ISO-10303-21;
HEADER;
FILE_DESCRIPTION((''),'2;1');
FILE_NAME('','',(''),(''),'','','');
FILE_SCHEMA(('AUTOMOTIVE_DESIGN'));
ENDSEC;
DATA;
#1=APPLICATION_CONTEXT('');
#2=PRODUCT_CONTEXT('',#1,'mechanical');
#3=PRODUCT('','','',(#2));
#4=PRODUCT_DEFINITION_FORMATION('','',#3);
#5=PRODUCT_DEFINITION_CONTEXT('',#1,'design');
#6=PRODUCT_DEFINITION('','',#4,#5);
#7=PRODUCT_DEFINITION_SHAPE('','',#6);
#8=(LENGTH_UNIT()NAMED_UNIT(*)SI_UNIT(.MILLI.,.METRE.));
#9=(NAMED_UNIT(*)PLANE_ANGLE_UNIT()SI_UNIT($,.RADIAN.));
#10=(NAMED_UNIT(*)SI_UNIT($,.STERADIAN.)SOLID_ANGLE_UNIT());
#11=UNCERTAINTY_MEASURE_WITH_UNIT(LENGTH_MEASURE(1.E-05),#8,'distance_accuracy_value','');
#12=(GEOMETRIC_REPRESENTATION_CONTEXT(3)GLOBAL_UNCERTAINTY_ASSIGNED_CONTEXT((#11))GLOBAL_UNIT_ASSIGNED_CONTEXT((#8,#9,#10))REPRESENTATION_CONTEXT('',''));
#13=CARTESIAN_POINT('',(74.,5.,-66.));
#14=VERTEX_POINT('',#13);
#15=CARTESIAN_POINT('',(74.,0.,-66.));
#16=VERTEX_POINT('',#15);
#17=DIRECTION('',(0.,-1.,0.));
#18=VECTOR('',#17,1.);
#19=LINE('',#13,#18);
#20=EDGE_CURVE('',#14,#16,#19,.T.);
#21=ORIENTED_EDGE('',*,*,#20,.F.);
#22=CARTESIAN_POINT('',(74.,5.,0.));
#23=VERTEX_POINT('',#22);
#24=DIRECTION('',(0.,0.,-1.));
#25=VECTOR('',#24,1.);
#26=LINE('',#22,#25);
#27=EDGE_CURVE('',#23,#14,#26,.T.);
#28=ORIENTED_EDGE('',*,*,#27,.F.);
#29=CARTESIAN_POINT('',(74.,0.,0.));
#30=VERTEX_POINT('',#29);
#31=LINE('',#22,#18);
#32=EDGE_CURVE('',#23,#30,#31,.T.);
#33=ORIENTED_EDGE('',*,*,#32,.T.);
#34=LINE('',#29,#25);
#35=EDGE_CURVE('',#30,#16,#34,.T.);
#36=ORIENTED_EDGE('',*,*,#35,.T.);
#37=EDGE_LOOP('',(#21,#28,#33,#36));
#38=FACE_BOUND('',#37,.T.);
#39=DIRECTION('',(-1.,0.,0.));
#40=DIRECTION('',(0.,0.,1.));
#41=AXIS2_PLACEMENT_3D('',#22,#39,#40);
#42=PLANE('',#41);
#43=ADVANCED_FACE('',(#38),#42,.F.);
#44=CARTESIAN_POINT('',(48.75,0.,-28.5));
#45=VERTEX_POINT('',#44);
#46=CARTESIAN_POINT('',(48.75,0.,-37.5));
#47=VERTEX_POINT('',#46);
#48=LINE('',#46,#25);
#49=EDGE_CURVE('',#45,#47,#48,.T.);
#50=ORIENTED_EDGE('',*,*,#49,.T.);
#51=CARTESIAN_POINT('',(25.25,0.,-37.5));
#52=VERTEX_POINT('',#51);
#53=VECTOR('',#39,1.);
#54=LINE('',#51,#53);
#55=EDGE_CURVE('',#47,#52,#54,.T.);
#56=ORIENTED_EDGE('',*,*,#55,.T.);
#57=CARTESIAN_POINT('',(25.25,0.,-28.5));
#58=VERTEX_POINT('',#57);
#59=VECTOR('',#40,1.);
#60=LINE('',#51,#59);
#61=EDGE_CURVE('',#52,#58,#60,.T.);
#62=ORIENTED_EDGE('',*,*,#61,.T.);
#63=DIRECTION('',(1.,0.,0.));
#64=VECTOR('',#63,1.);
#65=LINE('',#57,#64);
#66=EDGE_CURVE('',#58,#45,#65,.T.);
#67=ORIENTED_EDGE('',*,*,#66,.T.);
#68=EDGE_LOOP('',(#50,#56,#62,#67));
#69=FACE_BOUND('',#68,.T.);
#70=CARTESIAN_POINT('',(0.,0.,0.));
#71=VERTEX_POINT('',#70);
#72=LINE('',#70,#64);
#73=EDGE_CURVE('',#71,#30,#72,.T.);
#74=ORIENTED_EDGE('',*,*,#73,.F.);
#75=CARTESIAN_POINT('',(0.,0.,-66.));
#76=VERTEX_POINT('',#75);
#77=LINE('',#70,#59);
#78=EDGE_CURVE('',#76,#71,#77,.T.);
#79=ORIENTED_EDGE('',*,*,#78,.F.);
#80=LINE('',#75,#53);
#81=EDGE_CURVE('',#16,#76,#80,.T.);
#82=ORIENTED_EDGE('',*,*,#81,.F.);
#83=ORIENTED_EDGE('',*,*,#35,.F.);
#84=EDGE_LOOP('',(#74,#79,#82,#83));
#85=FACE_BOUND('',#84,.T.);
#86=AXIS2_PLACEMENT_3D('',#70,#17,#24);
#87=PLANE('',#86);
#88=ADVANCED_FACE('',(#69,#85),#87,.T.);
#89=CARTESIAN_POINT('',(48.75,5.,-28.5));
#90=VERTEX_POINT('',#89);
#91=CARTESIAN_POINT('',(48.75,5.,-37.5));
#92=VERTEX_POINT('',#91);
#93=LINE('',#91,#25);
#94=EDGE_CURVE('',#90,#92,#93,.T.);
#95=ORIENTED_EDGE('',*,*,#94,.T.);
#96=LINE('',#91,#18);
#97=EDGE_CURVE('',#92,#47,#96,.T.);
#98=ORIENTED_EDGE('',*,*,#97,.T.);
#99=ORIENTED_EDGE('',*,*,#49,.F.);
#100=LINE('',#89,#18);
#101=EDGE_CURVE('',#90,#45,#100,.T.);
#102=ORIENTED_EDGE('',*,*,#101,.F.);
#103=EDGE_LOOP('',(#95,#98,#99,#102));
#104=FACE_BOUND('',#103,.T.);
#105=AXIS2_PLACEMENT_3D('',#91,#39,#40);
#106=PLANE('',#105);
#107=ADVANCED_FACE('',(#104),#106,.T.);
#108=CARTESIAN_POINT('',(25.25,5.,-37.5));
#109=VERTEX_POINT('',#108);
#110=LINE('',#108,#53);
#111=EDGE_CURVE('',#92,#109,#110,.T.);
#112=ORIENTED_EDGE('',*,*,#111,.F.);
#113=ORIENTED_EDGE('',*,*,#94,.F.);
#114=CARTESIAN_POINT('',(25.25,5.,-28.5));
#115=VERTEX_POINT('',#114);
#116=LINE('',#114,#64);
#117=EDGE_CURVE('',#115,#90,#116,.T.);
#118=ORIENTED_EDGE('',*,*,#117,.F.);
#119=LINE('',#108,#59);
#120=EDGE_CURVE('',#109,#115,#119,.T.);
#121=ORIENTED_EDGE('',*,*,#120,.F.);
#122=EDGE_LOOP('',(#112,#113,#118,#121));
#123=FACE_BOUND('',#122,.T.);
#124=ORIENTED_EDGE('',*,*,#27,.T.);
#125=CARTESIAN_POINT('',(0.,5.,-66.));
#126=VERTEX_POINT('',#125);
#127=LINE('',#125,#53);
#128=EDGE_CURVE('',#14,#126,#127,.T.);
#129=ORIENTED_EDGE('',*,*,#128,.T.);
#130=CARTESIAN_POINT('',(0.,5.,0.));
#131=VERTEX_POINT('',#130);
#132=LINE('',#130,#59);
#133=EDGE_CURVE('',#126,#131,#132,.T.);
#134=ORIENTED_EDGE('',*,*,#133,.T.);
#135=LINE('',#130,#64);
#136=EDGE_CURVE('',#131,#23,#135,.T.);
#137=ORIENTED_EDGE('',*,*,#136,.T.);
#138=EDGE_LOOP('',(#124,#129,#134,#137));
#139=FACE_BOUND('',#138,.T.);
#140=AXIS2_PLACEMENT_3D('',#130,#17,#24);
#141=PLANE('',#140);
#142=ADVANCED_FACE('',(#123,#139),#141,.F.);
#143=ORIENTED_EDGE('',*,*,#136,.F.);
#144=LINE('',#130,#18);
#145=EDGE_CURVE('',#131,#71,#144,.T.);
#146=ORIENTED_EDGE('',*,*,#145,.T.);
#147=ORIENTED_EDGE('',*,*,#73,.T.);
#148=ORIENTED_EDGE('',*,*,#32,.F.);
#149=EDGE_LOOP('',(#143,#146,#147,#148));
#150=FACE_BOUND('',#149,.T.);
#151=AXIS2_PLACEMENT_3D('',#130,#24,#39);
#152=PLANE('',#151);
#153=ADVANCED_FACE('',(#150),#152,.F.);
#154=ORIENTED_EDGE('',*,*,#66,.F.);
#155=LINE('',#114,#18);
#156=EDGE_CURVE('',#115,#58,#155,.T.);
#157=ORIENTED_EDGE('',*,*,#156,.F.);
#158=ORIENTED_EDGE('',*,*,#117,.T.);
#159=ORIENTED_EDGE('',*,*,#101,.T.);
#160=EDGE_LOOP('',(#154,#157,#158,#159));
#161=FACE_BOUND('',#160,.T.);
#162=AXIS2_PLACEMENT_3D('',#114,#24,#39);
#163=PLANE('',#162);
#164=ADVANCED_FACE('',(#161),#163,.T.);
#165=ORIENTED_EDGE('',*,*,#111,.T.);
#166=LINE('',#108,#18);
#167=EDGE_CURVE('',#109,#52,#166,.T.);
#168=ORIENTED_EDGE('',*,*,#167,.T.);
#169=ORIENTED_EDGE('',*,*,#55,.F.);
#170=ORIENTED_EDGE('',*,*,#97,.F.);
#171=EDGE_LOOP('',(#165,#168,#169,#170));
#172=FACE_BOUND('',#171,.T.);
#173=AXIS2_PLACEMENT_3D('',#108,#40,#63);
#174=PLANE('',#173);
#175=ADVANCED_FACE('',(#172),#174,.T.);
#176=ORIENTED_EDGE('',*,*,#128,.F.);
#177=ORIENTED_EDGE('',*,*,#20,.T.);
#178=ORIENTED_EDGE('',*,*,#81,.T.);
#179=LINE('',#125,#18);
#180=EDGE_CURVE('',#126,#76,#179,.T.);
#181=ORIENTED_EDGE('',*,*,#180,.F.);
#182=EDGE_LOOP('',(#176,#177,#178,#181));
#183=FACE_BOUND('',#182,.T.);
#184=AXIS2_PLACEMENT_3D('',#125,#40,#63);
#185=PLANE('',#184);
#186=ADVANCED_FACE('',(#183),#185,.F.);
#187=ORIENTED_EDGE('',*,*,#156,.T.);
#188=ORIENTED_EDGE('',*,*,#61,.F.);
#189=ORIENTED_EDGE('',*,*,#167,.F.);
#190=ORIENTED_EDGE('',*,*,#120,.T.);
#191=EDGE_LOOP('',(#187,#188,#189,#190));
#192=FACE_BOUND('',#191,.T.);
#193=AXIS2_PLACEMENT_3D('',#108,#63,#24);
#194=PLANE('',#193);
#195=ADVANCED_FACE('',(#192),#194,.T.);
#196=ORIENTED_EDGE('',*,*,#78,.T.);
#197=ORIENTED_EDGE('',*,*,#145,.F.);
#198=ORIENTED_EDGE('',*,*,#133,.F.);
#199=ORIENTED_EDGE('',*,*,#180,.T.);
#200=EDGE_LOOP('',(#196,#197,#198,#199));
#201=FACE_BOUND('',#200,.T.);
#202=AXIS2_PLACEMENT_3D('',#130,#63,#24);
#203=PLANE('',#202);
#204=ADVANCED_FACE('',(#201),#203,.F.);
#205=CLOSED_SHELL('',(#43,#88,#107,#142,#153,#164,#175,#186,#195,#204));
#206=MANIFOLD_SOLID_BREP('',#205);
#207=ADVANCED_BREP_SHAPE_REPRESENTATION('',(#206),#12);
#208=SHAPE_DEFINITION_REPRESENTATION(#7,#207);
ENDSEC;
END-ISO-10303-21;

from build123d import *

# Parameters (mm, degrees)
IZIM1_W                     = 74
IZIM1_H                     = 66
IZIM1_W_2                   = 23.5
IZIM1_H_2                   = 9
Y_KSEKLIK_EKSTR_ZYON1_DEPTH = 5


with BuildPart() as part:
    # Çizim1 → Yükseklik-Ekstrüzyon1 (new body)
    with BuildSketch(Plane(origin=(0, 0, 0), x_dir=(1, 0, 0), z_dir=(0, 1, 0))):
        with Locations((37, 33)):
            Rectangle(IZIM1_W, IZIM1_H)
        with Locations((37, 33)):
            Rectangle(IZIM1_W_2, IZIM1_H_2, mode=Mode.SUBTRACT)
    extrude(amount=Y_KSEKLIK_EKSTR_ZYON1_DEPTH)


solid = part.part
